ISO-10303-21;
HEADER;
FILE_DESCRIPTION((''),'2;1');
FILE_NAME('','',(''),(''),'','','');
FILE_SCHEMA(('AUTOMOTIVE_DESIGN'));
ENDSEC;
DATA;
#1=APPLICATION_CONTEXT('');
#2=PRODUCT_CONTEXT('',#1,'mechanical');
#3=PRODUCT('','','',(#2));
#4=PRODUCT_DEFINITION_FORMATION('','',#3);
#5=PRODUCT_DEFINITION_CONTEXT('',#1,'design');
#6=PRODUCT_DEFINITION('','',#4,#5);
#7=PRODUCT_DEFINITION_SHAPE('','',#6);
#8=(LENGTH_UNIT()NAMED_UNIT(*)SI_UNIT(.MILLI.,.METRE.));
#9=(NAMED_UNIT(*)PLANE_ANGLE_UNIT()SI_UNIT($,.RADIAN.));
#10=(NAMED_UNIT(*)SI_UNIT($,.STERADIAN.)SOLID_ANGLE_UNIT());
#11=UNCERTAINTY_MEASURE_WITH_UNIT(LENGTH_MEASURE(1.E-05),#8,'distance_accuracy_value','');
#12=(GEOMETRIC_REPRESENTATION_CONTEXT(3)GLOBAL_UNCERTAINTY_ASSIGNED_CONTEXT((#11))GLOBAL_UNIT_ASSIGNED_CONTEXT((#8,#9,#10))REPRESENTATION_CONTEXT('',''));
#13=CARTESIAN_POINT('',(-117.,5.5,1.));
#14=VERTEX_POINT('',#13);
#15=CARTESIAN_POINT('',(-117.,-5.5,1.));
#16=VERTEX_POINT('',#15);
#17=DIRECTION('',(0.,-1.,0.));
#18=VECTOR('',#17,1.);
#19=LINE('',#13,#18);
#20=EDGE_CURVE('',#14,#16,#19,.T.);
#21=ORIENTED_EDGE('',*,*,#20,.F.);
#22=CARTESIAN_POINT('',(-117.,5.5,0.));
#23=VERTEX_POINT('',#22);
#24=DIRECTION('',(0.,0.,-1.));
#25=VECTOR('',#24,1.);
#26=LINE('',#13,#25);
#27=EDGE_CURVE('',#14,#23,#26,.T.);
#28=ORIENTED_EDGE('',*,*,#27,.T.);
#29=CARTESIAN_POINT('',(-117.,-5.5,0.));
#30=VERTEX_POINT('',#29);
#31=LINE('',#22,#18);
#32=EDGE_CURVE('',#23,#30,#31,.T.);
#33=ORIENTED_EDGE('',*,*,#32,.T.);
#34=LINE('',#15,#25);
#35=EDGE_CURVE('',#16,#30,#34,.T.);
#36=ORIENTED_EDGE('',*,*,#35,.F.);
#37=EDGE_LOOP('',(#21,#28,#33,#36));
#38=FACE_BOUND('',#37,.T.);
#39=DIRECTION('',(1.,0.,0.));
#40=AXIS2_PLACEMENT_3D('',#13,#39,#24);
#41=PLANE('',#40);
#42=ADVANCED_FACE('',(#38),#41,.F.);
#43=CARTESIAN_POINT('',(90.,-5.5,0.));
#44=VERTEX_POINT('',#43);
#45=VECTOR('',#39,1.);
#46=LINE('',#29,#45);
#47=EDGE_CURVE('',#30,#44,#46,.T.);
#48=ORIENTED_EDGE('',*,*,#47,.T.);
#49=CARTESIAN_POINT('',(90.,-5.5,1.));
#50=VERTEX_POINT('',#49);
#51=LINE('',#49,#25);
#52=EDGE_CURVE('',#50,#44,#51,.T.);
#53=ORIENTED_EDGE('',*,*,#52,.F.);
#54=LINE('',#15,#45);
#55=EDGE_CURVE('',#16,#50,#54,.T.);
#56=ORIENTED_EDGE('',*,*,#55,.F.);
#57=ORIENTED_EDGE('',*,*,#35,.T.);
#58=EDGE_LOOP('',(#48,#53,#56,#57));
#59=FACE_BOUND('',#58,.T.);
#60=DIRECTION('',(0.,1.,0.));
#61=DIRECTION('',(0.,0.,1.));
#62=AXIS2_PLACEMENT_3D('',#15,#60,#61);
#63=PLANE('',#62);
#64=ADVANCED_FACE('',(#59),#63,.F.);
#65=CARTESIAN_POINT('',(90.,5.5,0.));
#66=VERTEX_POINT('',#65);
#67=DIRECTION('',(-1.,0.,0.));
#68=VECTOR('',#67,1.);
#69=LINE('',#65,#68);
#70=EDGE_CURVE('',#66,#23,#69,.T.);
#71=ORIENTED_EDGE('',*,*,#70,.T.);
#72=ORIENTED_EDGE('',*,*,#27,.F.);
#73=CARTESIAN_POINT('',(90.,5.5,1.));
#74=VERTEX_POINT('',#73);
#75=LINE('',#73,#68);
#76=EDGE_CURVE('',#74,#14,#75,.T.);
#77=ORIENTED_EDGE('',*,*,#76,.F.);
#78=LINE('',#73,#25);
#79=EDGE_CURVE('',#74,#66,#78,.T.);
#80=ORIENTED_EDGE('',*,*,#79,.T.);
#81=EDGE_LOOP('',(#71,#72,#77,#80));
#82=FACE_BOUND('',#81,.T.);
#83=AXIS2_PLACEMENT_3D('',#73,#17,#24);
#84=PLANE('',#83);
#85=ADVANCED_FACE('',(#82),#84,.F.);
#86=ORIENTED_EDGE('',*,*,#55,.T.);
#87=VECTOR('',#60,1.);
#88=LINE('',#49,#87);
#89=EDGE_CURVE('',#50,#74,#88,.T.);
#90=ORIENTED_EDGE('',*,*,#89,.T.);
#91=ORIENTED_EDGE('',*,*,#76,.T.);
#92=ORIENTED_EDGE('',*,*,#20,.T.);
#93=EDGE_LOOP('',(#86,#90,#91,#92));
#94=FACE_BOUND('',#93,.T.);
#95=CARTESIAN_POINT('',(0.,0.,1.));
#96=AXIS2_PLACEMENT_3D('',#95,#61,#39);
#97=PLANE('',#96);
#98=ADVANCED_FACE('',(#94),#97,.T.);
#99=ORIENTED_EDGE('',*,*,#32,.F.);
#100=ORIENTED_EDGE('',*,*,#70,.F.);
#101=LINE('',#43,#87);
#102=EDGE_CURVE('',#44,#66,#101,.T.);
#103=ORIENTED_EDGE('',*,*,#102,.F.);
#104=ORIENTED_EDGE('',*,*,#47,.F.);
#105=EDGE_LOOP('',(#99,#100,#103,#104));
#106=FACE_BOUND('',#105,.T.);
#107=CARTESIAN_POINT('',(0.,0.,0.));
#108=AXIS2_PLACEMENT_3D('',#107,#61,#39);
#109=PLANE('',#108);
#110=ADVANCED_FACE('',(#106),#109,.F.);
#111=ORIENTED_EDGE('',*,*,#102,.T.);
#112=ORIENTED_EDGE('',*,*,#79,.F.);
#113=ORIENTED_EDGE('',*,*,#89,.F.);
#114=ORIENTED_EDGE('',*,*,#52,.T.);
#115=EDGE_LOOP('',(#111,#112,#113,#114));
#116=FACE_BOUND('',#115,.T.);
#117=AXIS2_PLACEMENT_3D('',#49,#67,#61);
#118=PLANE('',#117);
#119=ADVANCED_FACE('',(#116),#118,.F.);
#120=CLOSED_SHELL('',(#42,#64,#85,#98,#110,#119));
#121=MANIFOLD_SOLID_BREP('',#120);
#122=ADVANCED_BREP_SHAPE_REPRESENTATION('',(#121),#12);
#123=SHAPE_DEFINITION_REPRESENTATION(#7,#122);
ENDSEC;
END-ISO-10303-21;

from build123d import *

# Parameters (mm, degrees)
TOP_RETURN_ABOVE_TREAD_PROFILE_W = 207
TOP_RETURN_ABOVE_TREAD_PROFILE_H = 11
TOP_RETURN_ABOVE_TREAD_DEPTH     = 1


with BuildPart() as part:
    # Top return above tread profile → Top return above tread (new body)
    with BuildSketch(Plane.XY):
        with Locations((-13.5, 0)):
            Rectangle(TOP_RETURN_ABOVE_TREAD_PROFILE_W, TOP_RETURN_ABOVE_TREAD_PROFILE_H)
    extrude(amount=TOP_RETURN_ABOVE_TREAD_DEPTH)


solid = part.part
